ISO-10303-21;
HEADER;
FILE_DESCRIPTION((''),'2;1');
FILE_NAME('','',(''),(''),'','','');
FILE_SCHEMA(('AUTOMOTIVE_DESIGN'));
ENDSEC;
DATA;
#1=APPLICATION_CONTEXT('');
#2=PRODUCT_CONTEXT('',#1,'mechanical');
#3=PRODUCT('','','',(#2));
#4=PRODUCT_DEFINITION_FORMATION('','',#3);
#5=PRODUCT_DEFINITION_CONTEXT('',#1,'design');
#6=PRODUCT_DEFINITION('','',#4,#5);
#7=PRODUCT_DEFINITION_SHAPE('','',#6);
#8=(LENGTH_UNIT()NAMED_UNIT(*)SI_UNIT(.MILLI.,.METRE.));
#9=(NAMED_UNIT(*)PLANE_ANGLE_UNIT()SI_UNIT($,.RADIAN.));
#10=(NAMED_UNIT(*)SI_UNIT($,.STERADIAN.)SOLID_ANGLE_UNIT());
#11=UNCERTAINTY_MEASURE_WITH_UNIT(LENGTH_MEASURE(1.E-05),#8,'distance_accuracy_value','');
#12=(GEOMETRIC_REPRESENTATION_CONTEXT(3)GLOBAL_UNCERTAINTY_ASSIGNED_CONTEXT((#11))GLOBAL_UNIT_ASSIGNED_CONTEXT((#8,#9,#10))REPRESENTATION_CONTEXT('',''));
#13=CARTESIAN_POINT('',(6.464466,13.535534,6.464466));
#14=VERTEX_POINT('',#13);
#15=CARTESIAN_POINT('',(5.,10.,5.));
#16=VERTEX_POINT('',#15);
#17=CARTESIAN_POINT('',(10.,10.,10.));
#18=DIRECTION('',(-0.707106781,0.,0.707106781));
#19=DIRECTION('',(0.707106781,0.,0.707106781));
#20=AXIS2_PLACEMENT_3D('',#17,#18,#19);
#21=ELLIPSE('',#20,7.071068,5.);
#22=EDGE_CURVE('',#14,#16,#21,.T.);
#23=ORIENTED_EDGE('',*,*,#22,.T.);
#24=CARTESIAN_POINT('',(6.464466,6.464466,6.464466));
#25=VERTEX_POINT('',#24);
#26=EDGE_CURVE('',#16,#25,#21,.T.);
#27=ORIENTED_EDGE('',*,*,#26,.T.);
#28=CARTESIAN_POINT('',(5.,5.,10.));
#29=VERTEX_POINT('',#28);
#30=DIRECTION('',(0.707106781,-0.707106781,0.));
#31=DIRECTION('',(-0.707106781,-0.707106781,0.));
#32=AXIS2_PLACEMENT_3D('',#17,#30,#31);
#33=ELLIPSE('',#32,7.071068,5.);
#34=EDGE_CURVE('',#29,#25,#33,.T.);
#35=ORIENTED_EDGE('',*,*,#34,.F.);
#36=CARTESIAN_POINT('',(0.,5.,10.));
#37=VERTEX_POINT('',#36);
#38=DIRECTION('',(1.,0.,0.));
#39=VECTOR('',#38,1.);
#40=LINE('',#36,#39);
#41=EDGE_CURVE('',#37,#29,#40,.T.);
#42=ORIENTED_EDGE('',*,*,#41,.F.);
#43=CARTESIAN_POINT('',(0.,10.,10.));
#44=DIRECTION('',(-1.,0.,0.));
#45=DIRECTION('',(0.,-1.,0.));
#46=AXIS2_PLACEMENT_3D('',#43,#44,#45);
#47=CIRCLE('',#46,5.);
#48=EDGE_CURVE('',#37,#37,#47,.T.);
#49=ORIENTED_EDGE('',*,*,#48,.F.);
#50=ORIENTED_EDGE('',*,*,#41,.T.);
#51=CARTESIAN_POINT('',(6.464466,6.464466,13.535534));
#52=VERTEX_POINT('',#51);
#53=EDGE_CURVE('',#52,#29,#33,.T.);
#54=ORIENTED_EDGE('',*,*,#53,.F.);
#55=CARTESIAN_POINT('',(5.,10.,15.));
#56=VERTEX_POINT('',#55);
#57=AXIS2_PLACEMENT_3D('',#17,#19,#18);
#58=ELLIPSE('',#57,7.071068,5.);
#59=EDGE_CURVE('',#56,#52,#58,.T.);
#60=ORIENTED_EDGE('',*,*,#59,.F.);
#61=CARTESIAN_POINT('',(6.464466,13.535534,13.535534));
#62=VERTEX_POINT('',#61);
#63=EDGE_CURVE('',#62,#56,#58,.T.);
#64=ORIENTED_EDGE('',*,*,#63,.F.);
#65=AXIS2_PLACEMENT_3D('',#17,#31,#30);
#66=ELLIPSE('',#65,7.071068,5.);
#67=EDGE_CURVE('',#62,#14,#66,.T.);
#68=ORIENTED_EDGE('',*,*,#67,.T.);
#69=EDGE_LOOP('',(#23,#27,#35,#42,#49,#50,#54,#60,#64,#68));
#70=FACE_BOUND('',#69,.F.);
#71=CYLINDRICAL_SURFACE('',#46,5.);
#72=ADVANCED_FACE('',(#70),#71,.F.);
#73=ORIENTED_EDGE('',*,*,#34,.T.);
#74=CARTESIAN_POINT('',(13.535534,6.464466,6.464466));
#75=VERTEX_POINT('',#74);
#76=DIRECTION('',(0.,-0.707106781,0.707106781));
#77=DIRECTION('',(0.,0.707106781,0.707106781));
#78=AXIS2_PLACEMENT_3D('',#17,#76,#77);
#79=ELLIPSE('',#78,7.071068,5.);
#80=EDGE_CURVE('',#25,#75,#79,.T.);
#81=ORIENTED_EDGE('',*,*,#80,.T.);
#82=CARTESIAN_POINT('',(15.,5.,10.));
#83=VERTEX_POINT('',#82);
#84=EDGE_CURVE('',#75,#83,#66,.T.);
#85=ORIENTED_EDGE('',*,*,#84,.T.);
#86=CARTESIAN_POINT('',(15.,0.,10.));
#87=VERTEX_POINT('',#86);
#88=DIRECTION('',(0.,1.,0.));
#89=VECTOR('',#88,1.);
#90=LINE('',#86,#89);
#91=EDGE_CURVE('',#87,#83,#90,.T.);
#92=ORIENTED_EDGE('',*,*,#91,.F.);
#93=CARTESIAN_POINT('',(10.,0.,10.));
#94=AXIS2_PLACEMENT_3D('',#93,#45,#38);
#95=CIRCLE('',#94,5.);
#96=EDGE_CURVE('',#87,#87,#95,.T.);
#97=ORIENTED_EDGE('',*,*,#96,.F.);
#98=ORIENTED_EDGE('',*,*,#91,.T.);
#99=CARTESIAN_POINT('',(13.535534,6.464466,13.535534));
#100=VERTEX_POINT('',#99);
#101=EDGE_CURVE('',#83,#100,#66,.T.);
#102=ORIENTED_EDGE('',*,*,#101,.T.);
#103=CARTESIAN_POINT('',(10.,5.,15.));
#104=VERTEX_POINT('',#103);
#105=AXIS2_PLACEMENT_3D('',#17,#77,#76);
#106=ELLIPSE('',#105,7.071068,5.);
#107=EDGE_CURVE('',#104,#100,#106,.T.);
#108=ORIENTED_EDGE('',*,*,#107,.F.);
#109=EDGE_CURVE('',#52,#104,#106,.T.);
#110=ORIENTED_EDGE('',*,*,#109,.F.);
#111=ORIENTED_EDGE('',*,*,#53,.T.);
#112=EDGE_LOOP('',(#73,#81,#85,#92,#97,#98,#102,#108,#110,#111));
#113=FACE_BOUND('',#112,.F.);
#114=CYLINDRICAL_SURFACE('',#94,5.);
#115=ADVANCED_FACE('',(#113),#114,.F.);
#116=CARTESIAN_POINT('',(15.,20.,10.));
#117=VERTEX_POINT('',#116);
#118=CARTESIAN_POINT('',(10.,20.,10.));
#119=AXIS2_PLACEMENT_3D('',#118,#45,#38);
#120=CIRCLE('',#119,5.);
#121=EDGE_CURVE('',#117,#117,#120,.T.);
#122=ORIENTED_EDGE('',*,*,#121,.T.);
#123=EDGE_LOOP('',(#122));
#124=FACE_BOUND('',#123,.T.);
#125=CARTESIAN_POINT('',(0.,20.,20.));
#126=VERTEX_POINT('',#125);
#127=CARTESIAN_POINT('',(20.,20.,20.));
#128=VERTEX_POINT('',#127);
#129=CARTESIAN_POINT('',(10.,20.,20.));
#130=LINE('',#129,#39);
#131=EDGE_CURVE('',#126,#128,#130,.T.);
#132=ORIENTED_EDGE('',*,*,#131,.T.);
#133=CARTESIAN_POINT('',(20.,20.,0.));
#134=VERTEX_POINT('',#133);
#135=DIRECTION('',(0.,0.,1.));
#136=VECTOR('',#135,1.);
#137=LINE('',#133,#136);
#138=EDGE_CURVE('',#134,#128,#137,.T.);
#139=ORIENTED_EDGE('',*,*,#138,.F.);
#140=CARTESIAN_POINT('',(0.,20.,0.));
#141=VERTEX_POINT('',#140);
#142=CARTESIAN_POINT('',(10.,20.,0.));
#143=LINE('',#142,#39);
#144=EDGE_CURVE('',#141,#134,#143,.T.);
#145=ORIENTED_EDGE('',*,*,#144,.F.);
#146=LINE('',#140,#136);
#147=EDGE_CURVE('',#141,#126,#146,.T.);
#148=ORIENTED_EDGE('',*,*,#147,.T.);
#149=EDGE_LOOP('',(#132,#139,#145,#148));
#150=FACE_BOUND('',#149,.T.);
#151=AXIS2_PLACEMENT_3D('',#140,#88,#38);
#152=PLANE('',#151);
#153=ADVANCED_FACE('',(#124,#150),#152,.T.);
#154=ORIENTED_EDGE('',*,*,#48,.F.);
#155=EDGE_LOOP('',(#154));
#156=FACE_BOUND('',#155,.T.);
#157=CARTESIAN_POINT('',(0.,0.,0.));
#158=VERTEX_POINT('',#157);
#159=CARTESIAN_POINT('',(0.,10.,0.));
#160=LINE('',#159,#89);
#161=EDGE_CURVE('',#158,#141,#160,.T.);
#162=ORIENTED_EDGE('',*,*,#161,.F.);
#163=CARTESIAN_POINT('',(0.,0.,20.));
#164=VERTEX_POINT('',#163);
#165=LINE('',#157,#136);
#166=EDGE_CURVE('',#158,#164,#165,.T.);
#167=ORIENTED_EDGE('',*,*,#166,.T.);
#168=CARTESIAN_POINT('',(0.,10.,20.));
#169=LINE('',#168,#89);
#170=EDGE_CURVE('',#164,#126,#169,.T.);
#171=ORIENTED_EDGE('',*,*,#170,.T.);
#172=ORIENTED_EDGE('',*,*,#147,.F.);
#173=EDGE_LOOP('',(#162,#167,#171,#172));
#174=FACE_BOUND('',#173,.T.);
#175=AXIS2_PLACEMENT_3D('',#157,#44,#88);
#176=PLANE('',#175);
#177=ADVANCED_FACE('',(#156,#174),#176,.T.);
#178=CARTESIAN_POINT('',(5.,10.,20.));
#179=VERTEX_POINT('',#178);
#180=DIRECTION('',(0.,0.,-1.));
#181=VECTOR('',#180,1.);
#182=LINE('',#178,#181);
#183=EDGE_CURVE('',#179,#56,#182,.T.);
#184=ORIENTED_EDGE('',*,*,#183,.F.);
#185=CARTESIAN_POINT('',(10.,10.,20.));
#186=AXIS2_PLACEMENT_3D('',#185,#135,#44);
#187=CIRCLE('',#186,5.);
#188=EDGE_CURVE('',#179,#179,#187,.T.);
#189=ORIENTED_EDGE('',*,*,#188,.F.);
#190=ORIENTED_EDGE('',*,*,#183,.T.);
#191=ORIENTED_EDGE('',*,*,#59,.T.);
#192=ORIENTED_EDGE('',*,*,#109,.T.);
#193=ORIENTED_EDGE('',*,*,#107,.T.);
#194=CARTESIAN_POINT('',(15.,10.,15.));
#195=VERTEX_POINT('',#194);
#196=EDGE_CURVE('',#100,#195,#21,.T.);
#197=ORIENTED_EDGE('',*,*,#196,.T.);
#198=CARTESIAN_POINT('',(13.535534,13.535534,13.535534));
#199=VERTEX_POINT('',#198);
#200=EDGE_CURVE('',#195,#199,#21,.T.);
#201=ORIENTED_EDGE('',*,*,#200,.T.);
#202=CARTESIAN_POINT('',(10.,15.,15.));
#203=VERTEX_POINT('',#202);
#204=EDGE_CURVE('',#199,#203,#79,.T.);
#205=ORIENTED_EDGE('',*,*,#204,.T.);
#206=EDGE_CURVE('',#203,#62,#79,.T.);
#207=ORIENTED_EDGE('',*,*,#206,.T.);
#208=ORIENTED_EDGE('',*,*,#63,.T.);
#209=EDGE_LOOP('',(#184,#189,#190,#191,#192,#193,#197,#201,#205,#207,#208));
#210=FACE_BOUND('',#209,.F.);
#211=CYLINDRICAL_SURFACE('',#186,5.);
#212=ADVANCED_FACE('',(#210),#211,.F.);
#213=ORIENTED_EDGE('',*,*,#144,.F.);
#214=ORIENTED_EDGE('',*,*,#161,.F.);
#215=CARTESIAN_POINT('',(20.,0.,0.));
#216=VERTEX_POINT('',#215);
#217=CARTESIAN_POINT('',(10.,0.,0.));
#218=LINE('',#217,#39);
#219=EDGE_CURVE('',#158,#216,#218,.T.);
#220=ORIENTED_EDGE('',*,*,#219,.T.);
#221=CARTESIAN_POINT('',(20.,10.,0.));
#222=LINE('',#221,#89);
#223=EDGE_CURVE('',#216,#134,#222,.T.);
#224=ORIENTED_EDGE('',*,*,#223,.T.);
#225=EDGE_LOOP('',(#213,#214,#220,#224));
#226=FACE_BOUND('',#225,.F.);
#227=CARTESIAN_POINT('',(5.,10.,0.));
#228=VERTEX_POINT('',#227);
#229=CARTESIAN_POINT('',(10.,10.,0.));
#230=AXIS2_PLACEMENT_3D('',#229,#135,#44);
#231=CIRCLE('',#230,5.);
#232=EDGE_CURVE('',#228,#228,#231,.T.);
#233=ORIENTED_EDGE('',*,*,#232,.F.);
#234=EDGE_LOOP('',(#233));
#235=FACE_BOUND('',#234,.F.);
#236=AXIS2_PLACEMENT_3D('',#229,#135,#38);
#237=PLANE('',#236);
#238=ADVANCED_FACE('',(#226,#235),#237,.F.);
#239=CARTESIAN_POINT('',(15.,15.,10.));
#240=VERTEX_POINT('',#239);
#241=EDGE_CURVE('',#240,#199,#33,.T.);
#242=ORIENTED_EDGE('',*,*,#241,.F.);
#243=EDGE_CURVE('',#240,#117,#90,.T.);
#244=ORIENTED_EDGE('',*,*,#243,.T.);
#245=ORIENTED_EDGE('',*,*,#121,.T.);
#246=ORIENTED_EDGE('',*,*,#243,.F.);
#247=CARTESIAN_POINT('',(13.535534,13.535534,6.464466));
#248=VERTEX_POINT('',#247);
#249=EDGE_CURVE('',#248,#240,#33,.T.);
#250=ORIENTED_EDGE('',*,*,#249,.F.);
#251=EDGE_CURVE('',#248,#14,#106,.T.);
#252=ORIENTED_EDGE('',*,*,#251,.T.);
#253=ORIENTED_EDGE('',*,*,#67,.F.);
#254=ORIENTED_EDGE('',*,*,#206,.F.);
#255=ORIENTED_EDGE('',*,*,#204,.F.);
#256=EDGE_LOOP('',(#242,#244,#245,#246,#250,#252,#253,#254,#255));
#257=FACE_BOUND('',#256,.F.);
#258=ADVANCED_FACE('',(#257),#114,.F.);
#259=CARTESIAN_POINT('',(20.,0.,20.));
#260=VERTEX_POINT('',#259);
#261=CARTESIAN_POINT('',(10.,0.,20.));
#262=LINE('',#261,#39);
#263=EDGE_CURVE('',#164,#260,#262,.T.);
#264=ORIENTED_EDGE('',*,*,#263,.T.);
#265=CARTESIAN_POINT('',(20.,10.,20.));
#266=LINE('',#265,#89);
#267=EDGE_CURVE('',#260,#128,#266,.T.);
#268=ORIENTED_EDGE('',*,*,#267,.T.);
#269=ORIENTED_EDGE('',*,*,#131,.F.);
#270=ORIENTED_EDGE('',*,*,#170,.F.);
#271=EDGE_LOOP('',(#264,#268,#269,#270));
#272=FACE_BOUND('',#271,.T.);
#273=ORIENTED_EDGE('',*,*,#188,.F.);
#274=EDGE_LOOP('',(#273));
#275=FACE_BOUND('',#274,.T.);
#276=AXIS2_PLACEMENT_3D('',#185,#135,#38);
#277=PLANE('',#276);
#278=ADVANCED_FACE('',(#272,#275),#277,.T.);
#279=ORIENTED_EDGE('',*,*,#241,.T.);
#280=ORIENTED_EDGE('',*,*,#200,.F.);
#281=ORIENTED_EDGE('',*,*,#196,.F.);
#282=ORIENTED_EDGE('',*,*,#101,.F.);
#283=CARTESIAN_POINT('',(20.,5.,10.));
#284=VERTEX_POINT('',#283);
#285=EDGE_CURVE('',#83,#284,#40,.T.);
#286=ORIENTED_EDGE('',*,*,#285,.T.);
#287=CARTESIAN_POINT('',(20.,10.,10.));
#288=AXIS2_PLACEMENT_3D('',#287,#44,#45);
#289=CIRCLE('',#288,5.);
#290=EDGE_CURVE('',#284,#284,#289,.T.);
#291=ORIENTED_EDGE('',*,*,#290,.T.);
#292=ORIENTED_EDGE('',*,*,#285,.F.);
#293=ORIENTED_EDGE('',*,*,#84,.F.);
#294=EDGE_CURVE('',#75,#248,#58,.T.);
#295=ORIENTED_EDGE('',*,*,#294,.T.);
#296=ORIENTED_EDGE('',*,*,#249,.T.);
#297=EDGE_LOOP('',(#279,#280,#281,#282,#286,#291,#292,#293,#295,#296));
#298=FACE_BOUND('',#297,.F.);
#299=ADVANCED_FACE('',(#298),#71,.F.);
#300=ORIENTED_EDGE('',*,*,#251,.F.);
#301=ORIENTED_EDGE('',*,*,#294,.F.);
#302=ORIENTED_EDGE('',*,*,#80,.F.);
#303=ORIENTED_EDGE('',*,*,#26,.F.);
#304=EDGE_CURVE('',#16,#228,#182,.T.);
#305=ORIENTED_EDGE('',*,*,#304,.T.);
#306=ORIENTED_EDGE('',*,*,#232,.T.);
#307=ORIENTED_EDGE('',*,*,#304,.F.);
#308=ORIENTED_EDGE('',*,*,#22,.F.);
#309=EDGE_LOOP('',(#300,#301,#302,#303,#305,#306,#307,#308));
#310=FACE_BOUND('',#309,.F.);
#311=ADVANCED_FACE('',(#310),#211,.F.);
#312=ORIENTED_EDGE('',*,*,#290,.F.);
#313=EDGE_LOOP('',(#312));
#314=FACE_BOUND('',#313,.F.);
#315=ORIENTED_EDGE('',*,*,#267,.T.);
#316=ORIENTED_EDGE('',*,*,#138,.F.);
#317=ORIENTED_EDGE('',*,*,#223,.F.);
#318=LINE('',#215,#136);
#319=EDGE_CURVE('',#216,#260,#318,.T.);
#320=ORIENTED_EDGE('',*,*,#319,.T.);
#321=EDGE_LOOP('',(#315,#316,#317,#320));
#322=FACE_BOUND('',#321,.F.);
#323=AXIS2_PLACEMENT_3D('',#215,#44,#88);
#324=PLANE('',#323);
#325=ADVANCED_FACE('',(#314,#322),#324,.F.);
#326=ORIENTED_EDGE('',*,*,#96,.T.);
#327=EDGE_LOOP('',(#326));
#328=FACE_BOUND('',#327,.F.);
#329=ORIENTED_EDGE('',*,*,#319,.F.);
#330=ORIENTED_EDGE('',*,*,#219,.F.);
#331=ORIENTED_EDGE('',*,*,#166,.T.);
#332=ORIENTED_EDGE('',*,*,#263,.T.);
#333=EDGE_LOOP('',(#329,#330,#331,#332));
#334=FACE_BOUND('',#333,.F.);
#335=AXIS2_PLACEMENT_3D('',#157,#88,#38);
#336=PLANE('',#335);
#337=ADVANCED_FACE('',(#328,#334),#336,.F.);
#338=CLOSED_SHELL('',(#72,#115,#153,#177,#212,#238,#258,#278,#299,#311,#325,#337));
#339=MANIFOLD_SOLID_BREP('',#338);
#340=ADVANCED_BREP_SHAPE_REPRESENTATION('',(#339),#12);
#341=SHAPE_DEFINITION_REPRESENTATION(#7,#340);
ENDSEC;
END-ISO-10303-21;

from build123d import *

# Parameters (mm, degrees)
F0_W     = 20
F0_H     = 20
F1_DEPTH = 20
F3_DEPTH = 25
F5_DEPTH = 25
F7_DEPTH = 25


with BuildPart() as f1:
    # F0 (on Top) → F1 (new body)
    with BuildSketch(Plane.XY):
        with Locations((10, 10)):
            Rectangle(F0_W, F0_H)
    extrude(amount=F1_DEPTH)

    # F2 (on face) → F3 (cut)
    with BuildSketch(Plane.XY.offset(20)):
        with BuildLine():
            Line((5, 10), (15, 10))
            ThreePointArc((15, 10), (10, 15), (5, 10))
        make_face()
        with BuildLine():
            ThreePointArc((5, 10), (10, 5), (15, 10))
            Line((15, 10), (5, 10))
        make_face()
    extrude(amount=-F3_DEPTH, mode=Mode.SUBTRACT)

    # F4 (on face) → F5 (cut)
    with BuildSketch(Plane.XZ):
        with BuildLine():
            ThreePointArc((5, 10), (10, 5), (15, 10))
            Line((15, 10), (5, 10))
        make_face()
        with BuildLine():
            Line((5, 10), (15, 10))
            ThreePointArc((15, 10), (10, 15), (5, 10))
        make_face()
    extrude(amount=-F5_DEPTH, mode=Mode.SUBTRACT)

    # F6 (on face) → F7 (cut)
    with BuildSketch(Plane(origin=(0, 0, 0), x_dir=(0, -1, 0), z_dir=(-1, 0, 0))):
        with BuildLine():
            ThreePointArc((-15, 10), (-10, 5), (-5, 10))
            Line((-5, 10), (-15, 10))
        make_face()
        with BuildLine():
            Line((-15, 10), (-5, 10))
            ThreePointArc((-5, 10), (-10, 15), (-15, 10))
        make_face()
    extrude(amount=-F7_DEPTH, mode=Mode.SUBTRACT)


solid = f1.part
